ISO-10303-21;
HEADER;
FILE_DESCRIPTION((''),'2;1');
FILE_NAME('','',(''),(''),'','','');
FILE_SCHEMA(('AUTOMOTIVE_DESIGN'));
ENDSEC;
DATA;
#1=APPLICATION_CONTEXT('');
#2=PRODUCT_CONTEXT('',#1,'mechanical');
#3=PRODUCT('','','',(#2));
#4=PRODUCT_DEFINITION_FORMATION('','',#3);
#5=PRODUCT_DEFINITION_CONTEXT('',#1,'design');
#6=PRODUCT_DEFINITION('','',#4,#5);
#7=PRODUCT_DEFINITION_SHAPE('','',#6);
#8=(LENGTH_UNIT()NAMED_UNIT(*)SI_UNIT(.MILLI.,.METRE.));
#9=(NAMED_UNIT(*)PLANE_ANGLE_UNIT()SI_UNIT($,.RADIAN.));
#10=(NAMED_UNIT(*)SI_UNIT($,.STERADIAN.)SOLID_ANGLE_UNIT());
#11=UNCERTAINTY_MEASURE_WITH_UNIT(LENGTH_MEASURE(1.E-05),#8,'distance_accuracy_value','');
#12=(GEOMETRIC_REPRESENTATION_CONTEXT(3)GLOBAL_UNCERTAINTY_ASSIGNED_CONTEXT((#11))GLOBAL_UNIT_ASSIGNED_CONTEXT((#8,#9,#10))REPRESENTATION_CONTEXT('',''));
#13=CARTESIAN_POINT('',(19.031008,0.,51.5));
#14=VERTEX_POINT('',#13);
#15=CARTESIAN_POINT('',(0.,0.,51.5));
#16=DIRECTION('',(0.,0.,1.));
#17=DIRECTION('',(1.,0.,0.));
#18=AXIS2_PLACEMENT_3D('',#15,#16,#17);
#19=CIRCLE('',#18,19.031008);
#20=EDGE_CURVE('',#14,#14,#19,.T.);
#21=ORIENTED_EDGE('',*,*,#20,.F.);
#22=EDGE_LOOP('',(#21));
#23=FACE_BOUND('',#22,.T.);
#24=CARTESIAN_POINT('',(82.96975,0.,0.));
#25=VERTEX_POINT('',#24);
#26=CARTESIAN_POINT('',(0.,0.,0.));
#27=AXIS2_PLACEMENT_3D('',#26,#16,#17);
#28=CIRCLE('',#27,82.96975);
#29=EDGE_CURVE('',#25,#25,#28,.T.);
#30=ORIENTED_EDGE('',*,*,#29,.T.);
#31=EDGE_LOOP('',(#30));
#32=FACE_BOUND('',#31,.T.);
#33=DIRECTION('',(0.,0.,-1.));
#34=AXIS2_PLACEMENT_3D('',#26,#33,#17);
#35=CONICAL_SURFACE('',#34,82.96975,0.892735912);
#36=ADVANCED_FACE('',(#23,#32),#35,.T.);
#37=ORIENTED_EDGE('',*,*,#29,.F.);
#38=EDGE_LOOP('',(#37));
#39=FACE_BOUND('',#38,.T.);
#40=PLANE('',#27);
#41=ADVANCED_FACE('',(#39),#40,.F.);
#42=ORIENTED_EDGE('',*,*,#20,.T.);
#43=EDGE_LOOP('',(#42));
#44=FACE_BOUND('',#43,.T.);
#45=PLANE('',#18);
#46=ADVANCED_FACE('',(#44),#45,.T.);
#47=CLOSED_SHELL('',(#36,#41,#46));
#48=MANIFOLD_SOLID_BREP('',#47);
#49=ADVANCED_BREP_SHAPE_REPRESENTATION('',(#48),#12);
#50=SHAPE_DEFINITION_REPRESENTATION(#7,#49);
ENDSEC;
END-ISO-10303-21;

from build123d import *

# Parameters (mm, degrees)
SKETCH1_R           = 82.96975
BOSS_EXTRUDE4_DEPTH = 51.5
BOSS_EXTRUDE4_TAPER = 51.15


with BuildPart() as part:
    # Sketch1 → Boss-Extrude4 (new body)
    with BuildSketch(Plane.XY):
        Circle(SKETCH1_R)
    extrude(amount=BOSS_EXTRUDE4_DEPTH, taper=BOSS_EXTRUDE4_TAPER)


solid = part.part
